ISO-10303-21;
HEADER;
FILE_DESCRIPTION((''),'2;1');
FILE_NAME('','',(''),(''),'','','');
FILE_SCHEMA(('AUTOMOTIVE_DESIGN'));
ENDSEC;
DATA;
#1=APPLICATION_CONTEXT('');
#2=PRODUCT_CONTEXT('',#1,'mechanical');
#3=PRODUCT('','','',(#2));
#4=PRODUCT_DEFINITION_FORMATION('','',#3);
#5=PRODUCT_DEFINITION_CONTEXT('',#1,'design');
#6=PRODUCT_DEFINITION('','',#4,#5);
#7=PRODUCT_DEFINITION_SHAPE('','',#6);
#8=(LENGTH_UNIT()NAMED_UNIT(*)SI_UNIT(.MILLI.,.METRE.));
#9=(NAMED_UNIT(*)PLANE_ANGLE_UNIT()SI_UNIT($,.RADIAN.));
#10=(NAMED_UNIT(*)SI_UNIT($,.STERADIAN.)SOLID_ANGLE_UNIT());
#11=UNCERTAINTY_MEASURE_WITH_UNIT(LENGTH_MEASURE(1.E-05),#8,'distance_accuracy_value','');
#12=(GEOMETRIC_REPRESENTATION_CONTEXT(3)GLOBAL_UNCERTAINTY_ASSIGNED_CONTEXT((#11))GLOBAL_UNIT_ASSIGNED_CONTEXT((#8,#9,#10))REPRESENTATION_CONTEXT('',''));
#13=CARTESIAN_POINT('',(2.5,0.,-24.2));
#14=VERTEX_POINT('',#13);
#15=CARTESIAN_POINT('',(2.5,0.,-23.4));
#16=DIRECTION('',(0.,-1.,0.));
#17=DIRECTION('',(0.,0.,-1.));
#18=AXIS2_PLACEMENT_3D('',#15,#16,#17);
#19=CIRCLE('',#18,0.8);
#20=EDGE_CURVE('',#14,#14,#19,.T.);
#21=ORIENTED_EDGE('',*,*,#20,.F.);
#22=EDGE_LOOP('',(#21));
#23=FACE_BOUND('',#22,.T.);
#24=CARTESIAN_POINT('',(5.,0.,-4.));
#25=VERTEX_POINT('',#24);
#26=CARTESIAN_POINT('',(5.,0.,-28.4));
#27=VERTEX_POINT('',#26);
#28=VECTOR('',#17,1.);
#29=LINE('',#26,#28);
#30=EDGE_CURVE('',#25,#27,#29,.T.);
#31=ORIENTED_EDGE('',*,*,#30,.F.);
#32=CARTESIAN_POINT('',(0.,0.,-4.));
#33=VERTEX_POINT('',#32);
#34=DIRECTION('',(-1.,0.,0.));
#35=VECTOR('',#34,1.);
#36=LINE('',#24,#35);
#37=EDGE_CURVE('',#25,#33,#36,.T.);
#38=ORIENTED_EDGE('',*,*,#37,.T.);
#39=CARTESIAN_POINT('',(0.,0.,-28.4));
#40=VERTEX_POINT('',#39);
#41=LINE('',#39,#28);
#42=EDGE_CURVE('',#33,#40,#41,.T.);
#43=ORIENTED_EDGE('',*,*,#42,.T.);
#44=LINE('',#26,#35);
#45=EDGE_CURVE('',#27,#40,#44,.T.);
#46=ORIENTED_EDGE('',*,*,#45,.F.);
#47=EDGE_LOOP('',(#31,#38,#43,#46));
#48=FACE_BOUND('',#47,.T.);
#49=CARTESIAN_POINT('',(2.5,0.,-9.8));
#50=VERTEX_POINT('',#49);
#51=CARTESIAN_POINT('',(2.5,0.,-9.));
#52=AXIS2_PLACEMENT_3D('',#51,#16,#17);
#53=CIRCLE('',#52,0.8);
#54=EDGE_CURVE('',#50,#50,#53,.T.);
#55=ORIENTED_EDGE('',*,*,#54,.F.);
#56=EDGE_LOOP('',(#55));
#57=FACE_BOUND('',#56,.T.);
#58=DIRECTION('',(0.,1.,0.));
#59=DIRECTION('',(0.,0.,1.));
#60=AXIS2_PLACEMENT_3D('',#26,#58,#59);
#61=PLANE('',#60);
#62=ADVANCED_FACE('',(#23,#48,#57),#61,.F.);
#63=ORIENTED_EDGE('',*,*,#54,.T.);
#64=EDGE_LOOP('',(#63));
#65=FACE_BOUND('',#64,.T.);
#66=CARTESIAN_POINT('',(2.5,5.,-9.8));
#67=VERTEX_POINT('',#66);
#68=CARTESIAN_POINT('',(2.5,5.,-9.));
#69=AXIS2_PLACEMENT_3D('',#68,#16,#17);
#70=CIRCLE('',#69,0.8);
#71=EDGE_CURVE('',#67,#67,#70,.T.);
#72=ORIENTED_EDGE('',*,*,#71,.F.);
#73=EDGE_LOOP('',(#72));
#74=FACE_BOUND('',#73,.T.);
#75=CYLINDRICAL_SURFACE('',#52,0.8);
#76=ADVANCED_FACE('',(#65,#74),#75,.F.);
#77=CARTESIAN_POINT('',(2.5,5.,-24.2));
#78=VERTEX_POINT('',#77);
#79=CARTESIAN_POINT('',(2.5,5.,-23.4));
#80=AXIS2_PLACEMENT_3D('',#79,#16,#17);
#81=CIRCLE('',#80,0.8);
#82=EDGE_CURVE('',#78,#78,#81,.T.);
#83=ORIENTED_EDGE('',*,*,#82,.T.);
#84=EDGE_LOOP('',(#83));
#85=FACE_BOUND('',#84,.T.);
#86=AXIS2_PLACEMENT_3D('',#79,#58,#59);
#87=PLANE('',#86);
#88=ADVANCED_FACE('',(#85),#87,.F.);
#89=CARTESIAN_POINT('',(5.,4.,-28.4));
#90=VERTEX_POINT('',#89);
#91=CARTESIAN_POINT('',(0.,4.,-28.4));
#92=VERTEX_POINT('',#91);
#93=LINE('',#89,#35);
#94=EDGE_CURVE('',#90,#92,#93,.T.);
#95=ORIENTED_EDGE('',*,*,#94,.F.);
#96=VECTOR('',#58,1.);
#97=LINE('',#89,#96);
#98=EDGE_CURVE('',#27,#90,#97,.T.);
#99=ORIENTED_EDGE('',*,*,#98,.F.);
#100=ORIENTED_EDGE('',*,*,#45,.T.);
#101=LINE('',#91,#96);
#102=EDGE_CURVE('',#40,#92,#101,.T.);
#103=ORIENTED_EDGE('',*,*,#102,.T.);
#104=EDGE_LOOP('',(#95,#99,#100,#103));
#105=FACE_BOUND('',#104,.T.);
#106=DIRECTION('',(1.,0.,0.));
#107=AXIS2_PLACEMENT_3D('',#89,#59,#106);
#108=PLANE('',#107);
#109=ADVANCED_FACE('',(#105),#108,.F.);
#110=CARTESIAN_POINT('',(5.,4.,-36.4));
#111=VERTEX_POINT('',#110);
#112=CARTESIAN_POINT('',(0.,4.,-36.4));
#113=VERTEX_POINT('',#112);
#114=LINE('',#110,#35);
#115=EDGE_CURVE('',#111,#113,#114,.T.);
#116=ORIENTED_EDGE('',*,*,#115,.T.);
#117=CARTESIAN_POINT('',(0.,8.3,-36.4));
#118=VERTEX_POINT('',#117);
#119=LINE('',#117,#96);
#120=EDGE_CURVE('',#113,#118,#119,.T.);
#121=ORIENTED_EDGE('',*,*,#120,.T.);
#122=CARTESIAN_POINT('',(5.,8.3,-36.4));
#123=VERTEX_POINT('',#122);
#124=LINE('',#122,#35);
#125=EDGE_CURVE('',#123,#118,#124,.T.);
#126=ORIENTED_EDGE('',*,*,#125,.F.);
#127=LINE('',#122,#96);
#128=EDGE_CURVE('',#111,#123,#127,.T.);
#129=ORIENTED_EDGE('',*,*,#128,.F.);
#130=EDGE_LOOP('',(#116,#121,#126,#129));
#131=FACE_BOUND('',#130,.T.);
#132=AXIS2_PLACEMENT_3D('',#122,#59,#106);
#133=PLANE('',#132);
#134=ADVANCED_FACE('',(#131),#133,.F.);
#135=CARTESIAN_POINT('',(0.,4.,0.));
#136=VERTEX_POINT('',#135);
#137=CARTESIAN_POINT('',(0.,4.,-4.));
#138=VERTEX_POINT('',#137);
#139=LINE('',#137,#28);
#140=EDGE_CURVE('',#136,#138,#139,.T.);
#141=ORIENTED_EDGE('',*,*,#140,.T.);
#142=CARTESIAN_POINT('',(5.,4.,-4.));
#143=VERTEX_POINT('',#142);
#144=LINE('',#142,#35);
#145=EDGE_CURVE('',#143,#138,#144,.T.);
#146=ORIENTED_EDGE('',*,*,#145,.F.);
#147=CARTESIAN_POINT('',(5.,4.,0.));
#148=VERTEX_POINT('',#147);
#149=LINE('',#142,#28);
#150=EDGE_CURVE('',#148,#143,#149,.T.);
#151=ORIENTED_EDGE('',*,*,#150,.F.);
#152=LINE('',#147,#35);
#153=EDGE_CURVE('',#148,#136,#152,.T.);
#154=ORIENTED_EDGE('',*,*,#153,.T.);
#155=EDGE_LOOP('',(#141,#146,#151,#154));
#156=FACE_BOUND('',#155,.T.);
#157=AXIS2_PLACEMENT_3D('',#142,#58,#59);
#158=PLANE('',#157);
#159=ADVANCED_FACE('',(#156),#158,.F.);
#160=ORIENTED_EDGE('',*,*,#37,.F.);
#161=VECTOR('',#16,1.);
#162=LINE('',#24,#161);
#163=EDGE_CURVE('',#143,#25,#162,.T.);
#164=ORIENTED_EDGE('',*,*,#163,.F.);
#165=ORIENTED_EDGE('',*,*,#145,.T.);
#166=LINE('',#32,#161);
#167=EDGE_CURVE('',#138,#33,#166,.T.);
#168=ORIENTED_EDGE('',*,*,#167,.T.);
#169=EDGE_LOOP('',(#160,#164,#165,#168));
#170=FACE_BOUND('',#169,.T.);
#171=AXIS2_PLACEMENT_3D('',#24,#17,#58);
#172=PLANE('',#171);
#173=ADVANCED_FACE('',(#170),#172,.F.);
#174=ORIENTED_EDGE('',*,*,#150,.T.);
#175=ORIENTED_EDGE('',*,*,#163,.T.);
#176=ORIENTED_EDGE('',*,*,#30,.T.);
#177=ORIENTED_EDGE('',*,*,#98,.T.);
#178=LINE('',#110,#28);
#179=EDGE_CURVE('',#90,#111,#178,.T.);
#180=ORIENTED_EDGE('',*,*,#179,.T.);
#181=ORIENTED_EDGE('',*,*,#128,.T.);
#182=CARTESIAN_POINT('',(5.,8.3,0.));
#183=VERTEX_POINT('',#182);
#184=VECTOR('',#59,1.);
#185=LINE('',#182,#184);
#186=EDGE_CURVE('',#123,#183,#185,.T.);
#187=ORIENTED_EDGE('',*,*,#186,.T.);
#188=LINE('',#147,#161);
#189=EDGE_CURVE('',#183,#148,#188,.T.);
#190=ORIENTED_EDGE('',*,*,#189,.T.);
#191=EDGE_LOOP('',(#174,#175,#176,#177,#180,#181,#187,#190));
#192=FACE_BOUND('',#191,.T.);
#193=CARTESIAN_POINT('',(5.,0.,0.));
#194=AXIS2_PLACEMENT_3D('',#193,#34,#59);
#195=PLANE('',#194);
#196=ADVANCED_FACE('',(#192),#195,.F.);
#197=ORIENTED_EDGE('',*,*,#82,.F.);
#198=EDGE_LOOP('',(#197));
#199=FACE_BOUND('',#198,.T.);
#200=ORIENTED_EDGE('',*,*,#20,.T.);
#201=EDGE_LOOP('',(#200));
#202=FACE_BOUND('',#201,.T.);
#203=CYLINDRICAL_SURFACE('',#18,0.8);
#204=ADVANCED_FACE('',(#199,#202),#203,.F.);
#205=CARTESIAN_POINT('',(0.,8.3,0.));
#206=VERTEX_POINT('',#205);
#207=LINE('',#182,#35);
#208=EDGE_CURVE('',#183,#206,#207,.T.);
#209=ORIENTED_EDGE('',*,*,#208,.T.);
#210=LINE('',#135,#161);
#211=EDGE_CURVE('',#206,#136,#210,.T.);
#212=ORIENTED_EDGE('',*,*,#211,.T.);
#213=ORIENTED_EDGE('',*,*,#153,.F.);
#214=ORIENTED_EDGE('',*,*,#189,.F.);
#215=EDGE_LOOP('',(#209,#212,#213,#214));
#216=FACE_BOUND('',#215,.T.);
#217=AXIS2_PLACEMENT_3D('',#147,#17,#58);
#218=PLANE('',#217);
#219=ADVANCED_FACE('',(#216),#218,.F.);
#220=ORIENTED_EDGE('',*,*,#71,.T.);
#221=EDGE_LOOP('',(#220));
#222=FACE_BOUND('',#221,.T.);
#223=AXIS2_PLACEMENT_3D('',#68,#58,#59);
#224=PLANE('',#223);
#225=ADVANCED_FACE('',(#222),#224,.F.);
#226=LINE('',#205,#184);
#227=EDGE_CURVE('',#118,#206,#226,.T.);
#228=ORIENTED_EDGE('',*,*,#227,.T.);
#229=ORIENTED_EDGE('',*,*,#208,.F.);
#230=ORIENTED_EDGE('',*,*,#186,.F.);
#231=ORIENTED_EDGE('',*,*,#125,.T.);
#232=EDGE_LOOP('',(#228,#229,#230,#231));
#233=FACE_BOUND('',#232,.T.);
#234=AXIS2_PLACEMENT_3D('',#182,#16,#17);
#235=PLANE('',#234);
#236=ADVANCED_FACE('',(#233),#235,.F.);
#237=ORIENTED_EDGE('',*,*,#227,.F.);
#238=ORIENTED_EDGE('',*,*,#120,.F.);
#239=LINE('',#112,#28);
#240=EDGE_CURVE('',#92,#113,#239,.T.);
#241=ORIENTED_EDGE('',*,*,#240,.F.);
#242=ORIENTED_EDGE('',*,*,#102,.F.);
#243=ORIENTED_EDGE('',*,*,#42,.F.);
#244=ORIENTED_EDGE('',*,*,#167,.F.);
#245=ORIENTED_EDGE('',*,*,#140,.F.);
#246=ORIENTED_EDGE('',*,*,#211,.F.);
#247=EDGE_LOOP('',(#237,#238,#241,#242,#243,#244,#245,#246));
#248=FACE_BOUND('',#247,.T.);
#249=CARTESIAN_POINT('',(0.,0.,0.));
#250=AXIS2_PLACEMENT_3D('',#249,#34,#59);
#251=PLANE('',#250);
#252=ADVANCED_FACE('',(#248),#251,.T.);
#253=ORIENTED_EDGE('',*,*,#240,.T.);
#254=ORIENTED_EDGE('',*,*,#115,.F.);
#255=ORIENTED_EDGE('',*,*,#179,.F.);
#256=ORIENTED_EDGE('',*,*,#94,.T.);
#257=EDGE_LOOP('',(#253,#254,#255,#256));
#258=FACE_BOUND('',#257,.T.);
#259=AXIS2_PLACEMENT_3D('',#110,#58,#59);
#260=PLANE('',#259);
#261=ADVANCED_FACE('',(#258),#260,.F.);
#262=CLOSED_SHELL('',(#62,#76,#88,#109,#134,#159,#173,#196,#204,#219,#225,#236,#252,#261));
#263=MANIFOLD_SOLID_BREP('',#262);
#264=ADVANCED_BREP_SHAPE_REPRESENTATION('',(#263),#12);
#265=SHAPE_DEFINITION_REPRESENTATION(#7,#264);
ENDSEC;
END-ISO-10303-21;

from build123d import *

# Parameters (mm, degrees)
BOSS_EXTRUDE1_DEPTH             = 5
TAP_DRILL_FOR_M2X0_4_TAP1_D     = 1.6
TAP_DRILL_FOR_M2X0_4_TAP1_DEPTH = 5


with BuildPart() as part:
    # Sketch1 → Boss-Extrude1 (new body)
    with BuildSketch(Plane(origin=(0, 0, 0), x_dir=(0, 0, -1), z_dir=(1, 0, 0))):
        Polygon((0, 4), (0, 8.3), (36.4, 8.3), (36.4, 4), (28.4, 4), (28.4, 0), (4, 0), (4, 4), align=None)
    extrude(amount=BOSS_EXTRUDE1_DEPTH)

    # Tap Drill for M2x0.4 Tap1
    with Locations(Plane(origin=(0, 0, 0), x_dir=(-1, 0, 0), z_dir=(0, -1, 0))):
        with Locations((-2.5, 9), (-2.5, 23.4)):
            Hole(TAP_DRILL_FOR_M2X0_4_TAP1_D / 2, depth=TAP_DRILL_FOR_M2X0_4_TAP1_DEPTH)


solid = part.part
